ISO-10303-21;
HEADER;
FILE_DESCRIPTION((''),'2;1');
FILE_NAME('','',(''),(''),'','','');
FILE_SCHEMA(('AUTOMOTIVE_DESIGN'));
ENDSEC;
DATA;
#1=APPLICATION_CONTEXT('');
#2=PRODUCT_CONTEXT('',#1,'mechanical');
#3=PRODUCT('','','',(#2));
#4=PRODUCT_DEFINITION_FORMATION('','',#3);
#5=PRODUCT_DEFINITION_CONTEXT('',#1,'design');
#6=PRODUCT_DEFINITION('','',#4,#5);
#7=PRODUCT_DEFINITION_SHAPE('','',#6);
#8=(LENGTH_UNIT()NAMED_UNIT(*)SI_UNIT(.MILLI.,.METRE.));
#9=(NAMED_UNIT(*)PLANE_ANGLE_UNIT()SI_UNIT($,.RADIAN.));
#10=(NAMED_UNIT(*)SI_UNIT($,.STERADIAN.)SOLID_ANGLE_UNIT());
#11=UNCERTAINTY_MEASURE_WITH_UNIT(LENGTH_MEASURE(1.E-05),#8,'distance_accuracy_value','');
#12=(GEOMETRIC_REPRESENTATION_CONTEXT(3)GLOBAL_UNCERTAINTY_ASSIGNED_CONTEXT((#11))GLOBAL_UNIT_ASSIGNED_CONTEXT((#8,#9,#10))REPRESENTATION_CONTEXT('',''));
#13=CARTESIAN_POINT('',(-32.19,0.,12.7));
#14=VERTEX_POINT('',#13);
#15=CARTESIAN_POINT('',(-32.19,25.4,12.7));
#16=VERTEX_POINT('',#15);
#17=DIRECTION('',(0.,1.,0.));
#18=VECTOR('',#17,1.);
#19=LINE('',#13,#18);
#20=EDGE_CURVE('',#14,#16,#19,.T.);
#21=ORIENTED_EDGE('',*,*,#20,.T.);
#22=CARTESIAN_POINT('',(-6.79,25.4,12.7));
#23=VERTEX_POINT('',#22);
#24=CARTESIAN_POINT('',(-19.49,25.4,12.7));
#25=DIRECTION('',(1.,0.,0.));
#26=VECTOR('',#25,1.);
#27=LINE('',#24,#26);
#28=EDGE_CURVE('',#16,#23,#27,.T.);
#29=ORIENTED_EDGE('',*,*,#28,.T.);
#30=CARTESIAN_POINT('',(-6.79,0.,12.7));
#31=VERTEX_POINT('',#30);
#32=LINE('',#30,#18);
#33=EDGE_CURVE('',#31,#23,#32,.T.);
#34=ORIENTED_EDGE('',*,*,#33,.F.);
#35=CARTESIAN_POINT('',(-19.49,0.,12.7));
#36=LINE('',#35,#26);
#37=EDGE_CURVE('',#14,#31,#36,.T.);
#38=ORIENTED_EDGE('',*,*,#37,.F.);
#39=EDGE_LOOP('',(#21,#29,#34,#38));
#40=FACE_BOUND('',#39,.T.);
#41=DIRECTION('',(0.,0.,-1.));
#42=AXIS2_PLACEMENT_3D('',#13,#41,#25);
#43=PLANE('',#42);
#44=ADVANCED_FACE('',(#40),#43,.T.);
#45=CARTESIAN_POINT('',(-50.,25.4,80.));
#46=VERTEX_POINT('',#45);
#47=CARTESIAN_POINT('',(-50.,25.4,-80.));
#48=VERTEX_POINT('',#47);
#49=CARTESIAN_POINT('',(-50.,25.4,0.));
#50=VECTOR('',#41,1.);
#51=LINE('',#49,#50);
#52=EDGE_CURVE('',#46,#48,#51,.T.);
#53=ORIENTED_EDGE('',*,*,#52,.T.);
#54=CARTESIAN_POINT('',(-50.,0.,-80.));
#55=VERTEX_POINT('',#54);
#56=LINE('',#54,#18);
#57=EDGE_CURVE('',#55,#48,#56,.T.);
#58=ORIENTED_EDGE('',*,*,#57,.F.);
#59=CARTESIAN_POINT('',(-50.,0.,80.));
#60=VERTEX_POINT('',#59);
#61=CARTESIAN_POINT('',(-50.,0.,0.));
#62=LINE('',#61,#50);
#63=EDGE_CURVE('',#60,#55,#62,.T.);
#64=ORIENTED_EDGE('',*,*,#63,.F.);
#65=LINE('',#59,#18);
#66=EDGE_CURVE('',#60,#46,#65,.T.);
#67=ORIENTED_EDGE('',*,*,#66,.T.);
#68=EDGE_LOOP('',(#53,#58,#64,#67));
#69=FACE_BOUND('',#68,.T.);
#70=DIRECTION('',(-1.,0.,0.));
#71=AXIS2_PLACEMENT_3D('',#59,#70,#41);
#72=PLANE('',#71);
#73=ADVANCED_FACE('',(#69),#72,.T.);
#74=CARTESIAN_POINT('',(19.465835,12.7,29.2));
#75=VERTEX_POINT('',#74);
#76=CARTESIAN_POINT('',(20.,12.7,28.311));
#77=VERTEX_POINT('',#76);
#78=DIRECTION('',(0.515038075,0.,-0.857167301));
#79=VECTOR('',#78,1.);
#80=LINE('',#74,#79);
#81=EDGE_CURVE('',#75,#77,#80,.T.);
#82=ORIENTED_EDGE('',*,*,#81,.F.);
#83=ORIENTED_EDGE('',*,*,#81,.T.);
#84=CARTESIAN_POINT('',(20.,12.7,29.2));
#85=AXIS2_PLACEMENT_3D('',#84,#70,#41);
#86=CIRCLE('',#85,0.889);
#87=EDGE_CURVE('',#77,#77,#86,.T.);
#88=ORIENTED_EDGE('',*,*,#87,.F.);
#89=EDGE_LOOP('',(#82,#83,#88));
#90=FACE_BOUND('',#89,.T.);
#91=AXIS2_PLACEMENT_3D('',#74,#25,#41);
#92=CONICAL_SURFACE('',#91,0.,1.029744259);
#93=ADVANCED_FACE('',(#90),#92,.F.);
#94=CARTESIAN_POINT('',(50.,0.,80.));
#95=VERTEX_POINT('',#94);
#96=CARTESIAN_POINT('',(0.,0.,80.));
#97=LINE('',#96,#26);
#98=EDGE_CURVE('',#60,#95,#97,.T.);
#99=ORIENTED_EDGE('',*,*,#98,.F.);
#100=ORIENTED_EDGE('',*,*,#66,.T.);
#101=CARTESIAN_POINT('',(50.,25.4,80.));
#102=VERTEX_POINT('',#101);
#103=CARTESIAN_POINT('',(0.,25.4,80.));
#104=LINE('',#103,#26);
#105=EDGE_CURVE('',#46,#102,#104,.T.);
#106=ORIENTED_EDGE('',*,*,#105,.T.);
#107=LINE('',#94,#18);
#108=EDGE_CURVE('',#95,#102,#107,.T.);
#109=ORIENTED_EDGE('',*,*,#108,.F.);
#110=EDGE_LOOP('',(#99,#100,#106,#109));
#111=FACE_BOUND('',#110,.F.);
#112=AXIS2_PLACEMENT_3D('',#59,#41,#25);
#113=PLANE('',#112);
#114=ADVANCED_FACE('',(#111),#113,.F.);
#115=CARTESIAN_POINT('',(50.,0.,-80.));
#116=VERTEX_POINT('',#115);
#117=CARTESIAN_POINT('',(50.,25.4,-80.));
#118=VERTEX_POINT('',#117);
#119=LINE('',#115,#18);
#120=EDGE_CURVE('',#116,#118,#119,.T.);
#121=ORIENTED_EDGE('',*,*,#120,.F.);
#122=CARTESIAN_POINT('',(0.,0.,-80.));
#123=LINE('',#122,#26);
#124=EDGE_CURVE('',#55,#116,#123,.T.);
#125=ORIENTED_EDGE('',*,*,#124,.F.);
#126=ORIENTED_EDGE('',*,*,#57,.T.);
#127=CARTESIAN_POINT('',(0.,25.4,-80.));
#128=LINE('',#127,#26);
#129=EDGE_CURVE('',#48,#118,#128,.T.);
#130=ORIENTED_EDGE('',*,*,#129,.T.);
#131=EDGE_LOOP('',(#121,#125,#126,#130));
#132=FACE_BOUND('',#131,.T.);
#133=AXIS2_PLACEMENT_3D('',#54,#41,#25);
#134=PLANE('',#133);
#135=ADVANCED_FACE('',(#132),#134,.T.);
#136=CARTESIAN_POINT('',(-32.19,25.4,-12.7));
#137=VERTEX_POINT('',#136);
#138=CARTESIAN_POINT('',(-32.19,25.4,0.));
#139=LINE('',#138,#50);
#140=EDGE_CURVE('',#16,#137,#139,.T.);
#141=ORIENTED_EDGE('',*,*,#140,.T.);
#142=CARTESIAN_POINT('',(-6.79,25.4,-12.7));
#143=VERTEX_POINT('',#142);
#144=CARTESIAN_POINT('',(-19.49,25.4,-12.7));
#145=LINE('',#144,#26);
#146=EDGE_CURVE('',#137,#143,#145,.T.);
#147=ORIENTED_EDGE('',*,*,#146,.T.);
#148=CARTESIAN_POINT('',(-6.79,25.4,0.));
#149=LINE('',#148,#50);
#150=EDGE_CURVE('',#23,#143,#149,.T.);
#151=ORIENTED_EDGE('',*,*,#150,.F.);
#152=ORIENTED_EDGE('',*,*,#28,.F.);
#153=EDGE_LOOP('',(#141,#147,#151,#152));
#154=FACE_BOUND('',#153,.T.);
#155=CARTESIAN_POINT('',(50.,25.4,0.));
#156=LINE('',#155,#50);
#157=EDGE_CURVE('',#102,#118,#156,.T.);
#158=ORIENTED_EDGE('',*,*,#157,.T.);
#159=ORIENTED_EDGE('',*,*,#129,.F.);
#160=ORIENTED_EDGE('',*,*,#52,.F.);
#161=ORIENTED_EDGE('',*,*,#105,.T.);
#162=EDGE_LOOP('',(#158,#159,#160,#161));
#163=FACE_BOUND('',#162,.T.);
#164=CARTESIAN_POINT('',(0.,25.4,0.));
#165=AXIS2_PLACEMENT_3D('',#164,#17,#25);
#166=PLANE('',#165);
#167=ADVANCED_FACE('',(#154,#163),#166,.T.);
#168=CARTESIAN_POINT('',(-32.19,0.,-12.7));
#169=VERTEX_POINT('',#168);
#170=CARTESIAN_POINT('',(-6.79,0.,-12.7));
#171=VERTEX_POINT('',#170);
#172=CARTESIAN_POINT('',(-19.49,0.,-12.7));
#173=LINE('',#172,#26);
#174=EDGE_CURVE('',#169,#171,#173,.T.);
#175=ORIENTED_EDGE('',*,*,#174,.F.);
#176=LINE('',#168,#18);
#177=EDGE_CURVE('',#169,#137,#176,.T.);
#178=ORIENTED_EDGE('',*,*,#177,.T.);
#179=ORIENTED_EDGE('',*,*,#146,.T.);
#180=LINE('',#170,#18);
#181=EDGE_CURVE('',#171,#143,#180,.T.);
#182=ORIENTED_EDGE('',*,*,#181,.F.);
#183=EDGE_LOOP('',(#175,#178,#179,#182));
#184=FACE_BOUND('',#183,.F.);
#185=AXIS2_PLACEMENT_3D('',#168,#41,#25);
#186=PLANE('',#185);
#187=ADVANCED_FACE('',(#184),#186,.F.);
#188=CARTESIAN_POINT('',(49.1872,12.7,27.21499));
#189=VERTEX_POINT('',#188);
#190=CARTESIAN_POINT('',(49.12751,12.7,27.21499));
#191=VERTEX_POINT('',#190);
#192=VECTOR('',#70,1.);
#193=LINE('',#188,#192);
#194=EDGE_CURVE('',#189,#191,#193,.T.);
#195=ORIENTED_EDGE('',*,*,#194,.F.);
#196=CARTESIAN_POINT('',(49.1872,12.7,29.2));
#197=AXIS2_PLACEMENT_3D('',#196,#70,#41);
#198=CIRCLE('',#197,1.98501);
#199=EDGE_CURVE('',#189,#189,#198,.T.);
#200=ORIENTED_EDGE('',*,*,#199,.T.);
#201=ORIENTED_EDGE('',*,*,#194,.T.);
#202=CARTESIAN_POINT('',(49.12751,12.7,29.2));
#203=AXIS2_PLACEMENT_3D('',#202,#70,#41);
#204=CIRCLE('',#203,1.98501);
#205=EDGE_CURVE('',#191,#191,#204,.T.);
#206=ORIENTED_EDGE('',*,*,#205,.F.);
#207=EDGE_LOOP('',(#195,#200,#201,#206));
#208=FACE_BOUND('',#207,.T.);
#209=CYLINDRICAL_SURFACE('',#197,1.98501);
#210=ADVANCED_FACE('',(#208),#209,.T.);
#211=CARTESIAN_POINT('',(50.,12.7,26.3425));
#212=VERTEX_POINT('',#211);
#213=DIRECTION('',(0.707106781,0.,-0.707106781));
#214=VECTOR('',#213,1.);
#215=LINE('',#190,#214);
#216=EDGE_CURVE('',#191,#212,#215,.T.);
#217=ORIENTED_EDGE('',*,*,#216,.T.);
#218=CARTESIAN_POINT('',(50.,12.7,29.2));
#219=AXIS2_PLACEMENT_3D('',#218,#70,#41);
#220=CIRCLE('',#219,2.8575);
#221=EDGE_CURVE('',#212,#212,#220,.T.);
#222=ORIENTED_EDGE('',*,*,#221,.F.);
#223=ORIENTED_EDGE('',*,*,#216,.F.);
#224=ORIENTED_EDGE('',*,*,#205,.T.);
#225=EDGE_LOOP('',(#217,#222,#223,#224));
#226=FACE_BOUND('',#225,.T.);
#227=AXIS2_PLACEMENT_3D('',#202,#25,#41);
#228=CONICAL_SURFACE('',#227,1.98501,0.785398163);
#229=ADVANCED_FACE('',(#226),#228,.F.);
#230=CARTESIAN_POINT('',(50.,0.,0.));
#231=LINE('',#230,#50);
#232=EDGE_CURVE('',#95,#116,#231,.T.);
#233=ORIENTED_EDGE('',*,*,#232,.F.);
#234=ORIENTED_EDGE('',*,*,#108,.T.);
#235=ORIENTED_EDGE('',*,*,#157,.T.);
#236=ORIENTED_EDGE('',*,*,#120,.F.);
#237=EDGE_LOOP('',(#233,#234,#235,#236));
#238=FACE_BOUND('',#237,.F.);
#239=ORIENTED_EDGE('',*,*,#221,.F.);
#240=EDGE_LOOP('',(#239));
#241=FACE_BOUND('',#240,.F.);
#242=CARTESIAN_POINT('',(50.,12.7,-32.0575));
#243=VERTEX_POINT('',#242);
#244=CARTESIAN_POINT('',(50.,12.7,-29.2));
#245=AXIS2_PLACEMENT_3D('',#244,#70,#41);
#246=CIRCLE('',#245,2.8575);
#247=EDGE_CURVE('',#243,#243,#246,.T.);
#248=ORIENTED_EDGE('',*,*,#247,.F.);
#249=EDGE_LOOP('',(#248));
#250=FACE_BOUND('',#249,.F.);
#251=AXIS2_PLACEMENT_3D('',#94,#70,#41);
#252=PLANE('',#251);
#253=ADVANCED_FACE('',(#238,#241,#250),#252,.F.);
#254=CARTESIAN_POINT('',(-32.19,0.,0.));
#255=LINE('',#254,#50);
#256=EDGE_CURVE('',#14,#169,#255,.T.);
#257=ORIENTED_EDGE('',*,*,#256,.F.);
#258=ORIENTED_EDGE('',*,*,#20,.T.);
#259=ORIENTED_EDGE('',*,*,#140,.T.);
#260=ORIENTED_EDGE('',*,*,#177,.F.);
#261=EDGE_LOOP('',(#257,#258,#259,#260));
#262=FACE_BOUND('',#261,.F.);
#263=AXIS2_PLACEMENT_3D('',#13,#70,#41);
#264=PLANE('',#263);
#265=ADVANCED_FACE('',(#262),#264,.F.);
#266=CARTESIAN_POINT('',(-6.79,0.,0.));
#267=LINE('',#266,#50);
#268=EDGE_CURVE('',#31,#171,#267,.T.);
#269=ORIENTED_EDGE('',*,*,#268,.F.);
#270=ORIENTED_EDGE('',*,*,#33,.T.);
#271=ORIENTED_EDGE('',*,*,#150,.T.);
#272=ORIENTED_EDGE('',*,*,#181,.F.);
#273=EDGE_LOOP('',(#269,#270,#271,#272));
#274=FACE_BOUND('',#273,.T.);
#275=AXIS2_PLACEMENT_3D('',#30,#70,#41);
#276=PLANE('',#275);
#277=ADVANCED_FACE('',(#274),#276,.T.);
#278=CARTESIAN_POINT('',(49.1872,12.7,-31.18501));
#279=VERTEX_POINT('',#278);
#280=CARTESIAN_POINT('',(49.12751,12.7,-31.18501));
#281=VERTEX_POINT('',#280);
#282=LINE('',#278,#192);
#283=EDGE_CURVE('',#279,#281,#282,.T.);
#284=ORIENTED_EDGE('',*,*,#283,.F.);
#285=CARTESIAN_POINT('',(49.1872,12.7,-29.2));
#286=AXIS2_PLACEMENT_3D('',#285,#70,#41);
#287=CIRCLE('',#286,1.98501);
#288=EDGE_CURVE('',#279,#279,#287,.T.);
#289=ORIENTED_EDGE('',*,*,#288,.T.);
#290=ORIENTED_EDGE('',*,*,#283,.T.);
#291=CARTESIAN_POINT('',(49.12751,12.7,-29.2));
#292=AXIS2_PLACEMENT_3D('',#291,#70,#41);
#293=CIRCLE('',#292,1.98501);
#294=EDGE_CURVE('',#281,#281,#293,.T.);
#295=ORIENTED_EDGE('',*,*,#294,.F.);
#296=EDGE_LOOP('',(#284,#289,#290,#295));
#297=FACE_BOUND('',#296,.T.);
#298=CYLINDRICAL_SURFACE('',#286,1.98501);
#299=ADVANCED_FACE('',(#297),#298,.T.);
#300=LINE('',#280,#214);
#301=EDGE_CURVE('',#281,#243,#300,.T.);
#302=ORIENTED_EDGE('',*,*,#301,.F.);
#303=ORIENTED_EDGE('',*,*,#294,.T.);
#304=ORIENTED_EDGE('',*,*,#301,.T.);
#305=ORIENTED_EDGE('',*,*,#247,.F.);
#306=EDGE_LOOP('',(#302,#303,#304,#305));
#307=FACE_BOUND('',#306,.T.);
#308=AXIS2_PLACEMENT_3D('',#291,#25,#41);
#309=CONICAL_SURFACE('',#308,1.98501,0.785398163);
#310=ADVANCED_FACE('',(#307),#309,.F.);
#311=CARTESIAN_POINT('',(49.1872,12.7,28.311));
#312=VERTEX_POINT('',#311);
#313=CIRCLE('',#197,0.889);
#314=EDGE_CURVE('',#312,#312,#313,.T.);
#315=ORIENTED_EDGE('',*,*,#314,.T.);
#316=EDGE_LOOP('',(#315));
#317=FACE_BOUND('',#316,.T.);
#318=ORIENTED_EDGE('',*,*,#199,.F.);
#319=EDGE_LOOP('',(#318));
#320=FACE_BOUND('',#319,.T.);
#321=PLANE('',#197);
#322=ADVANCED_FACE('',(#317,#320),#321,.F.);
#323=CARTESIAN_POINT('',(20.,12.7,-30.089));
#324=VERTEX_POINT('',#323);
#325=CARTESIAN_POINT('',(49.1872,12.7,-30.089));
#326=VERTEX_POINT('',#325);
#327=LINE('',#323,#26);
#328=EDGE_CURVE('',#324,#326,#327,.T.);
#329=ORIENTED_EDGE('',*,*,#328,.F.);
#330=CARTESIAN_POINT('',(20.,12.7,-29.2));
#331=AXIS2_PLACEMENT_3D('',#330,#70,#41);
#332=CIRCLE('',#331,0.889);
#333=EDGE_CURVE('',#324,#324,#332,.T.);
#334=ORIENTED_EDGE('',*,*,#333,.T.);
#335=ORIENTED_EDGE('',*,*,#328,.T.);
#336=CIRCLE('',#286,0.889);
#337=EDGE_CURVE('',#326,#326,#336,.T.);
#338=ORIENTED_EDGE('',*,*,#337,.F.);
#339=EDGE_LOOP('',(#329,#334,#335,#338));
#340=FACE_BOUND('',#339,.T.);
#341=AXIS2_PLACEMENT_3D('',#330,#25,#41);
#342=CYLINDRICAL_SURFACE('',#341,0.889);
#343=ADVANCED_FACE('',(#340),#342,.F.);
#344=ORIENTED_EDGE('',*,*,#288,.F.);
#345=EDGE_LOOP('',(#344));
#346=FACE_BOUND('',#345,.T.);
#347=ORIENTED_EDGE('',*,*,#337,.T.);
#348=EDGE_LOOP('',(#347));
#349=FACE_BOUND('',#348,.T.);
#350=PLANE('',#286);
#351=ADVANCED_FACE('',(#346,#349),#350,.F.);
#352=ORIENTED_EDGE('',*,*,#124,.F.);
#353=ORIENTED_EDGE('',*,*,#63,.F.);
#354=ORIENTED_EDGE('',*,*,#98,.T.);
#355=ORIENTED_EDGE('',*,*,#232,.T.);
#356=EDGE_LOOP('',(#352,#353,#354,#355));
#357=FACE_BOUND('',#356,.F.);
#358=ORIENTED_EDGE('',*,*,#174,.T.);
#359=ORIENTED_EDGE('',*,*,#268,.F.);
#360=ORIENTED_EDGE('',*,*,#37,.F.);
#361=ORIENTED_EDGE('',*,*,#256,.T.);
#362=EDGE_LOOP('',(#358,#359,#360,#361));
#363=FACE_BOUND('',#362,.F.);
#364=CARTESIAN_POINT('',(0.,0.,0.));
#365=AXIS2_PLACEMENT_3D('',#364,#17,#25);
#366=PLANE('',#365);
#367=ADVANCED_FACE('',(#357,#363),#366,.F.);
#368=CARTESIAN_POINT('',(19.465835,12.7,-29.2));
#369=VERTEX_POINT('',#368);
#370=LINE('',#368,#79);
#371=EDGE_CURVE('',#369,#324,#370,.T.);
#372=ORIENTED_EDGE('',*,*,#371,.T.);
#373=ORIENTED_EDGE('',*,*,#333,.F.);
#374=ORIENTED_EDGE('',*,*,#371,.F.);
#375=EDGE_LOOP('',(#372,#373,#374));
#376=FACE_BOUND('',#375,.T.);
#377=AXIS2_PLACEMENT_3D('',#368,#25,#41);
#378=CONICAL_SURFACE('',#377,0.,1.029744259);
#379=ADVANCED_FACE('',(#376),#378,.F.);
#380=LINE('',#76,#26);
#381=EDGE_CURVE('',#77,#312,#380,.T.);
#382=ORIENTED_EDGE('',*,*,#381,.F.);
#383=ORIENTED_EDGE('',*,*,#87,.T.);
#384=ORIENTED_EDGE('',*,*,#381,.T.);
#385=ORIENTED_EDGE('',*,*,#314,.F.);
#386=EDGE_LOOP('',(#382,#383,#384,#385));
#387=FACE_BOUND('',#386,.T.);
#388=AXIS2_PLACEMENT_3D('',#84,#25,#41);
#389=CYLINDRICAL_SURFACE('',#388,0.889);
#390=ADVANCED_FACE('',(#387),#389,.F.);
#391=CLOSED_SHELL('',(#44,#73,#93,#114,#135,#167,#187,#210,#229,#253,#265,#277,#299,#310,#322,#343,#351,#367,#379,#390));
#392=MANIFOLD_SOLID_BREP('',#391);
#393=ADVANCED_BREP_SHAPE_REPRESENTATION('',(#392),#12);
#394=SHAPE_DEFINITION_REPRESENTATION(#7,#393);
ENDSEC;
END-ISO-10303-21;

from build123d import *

# Parameters (mm, degrees)
SKETCH1_W                                   = 100
SKETCH1_H                                   = 160
SKETCH1_W_2                                 = 25.4
SKETCH1_H_2                                 = 25.4
BOSS_EXTRUDE1_DEPTH                         = 25.4
CBORE_FOR_0_BINDING_HEAD_MACHINE_SC_2_COUNT = 2
CBORE_FOR_0_BINDING_HEAD_MACHINE_SC_2_PITCH = 58.4


with BuildPart() as part:
    # Sketch1 → Boss-Extrude1 (new body)
    with BuildSketch(Plane(origin=(0, 0, 0), x_dir=(1, 0, 0), z_dir=(0, 1, 0))):
        Rectangle(SKETCH1_W, SKETCH1_H)
        with Locations((-19.49, 0)):
            Rectangle(SKETCH1_W_2, SKETCH1_H_2, mode=Mode.SUBTRACT)
    extrude(amount=BOSS_EXTRUDE1_DEPTH)

    # Sketch3 → CBORE for #0 Binding Head Machine Screw1 (revolve, cut)
    with BuildSketch(Plane(origin=(50, 12.7, 29.2), x_dir=(0, 0, -1), z_dir=(0, 1, 0))):
        Polygon((0, 0), (0, 30.53416509), (0.889, 30), (0.889, 0.8128), (1.98501, 0.8128), (1.98501, 0.87249), (2.8575, 0), align=None)
    cbore_for_0_binding_head_machine_screw1 = revolve(axis=Axis((56.35, 12.7, 29.2), (-1, 0, 0)), mode=Mode.SUBTRACT)

    # CBORE for _0 Binding Head Machine Sc 2: CBORE for #0 Binding Head Machine Screw1 ×2
    with Locations(*[(0, 0, -i * CBORE_FOR_0_BINDING_HEAD_MACHINE_SC_2_PITCH) for i in range(1, CBORE_FOR_0_BINDING_HEAD_MACHINE_SC_2_COUNT)]):
        add(cbore_for_0_binding_head_machine_screw1, mode=Mode.SUBTRACT)


solid = part.part
